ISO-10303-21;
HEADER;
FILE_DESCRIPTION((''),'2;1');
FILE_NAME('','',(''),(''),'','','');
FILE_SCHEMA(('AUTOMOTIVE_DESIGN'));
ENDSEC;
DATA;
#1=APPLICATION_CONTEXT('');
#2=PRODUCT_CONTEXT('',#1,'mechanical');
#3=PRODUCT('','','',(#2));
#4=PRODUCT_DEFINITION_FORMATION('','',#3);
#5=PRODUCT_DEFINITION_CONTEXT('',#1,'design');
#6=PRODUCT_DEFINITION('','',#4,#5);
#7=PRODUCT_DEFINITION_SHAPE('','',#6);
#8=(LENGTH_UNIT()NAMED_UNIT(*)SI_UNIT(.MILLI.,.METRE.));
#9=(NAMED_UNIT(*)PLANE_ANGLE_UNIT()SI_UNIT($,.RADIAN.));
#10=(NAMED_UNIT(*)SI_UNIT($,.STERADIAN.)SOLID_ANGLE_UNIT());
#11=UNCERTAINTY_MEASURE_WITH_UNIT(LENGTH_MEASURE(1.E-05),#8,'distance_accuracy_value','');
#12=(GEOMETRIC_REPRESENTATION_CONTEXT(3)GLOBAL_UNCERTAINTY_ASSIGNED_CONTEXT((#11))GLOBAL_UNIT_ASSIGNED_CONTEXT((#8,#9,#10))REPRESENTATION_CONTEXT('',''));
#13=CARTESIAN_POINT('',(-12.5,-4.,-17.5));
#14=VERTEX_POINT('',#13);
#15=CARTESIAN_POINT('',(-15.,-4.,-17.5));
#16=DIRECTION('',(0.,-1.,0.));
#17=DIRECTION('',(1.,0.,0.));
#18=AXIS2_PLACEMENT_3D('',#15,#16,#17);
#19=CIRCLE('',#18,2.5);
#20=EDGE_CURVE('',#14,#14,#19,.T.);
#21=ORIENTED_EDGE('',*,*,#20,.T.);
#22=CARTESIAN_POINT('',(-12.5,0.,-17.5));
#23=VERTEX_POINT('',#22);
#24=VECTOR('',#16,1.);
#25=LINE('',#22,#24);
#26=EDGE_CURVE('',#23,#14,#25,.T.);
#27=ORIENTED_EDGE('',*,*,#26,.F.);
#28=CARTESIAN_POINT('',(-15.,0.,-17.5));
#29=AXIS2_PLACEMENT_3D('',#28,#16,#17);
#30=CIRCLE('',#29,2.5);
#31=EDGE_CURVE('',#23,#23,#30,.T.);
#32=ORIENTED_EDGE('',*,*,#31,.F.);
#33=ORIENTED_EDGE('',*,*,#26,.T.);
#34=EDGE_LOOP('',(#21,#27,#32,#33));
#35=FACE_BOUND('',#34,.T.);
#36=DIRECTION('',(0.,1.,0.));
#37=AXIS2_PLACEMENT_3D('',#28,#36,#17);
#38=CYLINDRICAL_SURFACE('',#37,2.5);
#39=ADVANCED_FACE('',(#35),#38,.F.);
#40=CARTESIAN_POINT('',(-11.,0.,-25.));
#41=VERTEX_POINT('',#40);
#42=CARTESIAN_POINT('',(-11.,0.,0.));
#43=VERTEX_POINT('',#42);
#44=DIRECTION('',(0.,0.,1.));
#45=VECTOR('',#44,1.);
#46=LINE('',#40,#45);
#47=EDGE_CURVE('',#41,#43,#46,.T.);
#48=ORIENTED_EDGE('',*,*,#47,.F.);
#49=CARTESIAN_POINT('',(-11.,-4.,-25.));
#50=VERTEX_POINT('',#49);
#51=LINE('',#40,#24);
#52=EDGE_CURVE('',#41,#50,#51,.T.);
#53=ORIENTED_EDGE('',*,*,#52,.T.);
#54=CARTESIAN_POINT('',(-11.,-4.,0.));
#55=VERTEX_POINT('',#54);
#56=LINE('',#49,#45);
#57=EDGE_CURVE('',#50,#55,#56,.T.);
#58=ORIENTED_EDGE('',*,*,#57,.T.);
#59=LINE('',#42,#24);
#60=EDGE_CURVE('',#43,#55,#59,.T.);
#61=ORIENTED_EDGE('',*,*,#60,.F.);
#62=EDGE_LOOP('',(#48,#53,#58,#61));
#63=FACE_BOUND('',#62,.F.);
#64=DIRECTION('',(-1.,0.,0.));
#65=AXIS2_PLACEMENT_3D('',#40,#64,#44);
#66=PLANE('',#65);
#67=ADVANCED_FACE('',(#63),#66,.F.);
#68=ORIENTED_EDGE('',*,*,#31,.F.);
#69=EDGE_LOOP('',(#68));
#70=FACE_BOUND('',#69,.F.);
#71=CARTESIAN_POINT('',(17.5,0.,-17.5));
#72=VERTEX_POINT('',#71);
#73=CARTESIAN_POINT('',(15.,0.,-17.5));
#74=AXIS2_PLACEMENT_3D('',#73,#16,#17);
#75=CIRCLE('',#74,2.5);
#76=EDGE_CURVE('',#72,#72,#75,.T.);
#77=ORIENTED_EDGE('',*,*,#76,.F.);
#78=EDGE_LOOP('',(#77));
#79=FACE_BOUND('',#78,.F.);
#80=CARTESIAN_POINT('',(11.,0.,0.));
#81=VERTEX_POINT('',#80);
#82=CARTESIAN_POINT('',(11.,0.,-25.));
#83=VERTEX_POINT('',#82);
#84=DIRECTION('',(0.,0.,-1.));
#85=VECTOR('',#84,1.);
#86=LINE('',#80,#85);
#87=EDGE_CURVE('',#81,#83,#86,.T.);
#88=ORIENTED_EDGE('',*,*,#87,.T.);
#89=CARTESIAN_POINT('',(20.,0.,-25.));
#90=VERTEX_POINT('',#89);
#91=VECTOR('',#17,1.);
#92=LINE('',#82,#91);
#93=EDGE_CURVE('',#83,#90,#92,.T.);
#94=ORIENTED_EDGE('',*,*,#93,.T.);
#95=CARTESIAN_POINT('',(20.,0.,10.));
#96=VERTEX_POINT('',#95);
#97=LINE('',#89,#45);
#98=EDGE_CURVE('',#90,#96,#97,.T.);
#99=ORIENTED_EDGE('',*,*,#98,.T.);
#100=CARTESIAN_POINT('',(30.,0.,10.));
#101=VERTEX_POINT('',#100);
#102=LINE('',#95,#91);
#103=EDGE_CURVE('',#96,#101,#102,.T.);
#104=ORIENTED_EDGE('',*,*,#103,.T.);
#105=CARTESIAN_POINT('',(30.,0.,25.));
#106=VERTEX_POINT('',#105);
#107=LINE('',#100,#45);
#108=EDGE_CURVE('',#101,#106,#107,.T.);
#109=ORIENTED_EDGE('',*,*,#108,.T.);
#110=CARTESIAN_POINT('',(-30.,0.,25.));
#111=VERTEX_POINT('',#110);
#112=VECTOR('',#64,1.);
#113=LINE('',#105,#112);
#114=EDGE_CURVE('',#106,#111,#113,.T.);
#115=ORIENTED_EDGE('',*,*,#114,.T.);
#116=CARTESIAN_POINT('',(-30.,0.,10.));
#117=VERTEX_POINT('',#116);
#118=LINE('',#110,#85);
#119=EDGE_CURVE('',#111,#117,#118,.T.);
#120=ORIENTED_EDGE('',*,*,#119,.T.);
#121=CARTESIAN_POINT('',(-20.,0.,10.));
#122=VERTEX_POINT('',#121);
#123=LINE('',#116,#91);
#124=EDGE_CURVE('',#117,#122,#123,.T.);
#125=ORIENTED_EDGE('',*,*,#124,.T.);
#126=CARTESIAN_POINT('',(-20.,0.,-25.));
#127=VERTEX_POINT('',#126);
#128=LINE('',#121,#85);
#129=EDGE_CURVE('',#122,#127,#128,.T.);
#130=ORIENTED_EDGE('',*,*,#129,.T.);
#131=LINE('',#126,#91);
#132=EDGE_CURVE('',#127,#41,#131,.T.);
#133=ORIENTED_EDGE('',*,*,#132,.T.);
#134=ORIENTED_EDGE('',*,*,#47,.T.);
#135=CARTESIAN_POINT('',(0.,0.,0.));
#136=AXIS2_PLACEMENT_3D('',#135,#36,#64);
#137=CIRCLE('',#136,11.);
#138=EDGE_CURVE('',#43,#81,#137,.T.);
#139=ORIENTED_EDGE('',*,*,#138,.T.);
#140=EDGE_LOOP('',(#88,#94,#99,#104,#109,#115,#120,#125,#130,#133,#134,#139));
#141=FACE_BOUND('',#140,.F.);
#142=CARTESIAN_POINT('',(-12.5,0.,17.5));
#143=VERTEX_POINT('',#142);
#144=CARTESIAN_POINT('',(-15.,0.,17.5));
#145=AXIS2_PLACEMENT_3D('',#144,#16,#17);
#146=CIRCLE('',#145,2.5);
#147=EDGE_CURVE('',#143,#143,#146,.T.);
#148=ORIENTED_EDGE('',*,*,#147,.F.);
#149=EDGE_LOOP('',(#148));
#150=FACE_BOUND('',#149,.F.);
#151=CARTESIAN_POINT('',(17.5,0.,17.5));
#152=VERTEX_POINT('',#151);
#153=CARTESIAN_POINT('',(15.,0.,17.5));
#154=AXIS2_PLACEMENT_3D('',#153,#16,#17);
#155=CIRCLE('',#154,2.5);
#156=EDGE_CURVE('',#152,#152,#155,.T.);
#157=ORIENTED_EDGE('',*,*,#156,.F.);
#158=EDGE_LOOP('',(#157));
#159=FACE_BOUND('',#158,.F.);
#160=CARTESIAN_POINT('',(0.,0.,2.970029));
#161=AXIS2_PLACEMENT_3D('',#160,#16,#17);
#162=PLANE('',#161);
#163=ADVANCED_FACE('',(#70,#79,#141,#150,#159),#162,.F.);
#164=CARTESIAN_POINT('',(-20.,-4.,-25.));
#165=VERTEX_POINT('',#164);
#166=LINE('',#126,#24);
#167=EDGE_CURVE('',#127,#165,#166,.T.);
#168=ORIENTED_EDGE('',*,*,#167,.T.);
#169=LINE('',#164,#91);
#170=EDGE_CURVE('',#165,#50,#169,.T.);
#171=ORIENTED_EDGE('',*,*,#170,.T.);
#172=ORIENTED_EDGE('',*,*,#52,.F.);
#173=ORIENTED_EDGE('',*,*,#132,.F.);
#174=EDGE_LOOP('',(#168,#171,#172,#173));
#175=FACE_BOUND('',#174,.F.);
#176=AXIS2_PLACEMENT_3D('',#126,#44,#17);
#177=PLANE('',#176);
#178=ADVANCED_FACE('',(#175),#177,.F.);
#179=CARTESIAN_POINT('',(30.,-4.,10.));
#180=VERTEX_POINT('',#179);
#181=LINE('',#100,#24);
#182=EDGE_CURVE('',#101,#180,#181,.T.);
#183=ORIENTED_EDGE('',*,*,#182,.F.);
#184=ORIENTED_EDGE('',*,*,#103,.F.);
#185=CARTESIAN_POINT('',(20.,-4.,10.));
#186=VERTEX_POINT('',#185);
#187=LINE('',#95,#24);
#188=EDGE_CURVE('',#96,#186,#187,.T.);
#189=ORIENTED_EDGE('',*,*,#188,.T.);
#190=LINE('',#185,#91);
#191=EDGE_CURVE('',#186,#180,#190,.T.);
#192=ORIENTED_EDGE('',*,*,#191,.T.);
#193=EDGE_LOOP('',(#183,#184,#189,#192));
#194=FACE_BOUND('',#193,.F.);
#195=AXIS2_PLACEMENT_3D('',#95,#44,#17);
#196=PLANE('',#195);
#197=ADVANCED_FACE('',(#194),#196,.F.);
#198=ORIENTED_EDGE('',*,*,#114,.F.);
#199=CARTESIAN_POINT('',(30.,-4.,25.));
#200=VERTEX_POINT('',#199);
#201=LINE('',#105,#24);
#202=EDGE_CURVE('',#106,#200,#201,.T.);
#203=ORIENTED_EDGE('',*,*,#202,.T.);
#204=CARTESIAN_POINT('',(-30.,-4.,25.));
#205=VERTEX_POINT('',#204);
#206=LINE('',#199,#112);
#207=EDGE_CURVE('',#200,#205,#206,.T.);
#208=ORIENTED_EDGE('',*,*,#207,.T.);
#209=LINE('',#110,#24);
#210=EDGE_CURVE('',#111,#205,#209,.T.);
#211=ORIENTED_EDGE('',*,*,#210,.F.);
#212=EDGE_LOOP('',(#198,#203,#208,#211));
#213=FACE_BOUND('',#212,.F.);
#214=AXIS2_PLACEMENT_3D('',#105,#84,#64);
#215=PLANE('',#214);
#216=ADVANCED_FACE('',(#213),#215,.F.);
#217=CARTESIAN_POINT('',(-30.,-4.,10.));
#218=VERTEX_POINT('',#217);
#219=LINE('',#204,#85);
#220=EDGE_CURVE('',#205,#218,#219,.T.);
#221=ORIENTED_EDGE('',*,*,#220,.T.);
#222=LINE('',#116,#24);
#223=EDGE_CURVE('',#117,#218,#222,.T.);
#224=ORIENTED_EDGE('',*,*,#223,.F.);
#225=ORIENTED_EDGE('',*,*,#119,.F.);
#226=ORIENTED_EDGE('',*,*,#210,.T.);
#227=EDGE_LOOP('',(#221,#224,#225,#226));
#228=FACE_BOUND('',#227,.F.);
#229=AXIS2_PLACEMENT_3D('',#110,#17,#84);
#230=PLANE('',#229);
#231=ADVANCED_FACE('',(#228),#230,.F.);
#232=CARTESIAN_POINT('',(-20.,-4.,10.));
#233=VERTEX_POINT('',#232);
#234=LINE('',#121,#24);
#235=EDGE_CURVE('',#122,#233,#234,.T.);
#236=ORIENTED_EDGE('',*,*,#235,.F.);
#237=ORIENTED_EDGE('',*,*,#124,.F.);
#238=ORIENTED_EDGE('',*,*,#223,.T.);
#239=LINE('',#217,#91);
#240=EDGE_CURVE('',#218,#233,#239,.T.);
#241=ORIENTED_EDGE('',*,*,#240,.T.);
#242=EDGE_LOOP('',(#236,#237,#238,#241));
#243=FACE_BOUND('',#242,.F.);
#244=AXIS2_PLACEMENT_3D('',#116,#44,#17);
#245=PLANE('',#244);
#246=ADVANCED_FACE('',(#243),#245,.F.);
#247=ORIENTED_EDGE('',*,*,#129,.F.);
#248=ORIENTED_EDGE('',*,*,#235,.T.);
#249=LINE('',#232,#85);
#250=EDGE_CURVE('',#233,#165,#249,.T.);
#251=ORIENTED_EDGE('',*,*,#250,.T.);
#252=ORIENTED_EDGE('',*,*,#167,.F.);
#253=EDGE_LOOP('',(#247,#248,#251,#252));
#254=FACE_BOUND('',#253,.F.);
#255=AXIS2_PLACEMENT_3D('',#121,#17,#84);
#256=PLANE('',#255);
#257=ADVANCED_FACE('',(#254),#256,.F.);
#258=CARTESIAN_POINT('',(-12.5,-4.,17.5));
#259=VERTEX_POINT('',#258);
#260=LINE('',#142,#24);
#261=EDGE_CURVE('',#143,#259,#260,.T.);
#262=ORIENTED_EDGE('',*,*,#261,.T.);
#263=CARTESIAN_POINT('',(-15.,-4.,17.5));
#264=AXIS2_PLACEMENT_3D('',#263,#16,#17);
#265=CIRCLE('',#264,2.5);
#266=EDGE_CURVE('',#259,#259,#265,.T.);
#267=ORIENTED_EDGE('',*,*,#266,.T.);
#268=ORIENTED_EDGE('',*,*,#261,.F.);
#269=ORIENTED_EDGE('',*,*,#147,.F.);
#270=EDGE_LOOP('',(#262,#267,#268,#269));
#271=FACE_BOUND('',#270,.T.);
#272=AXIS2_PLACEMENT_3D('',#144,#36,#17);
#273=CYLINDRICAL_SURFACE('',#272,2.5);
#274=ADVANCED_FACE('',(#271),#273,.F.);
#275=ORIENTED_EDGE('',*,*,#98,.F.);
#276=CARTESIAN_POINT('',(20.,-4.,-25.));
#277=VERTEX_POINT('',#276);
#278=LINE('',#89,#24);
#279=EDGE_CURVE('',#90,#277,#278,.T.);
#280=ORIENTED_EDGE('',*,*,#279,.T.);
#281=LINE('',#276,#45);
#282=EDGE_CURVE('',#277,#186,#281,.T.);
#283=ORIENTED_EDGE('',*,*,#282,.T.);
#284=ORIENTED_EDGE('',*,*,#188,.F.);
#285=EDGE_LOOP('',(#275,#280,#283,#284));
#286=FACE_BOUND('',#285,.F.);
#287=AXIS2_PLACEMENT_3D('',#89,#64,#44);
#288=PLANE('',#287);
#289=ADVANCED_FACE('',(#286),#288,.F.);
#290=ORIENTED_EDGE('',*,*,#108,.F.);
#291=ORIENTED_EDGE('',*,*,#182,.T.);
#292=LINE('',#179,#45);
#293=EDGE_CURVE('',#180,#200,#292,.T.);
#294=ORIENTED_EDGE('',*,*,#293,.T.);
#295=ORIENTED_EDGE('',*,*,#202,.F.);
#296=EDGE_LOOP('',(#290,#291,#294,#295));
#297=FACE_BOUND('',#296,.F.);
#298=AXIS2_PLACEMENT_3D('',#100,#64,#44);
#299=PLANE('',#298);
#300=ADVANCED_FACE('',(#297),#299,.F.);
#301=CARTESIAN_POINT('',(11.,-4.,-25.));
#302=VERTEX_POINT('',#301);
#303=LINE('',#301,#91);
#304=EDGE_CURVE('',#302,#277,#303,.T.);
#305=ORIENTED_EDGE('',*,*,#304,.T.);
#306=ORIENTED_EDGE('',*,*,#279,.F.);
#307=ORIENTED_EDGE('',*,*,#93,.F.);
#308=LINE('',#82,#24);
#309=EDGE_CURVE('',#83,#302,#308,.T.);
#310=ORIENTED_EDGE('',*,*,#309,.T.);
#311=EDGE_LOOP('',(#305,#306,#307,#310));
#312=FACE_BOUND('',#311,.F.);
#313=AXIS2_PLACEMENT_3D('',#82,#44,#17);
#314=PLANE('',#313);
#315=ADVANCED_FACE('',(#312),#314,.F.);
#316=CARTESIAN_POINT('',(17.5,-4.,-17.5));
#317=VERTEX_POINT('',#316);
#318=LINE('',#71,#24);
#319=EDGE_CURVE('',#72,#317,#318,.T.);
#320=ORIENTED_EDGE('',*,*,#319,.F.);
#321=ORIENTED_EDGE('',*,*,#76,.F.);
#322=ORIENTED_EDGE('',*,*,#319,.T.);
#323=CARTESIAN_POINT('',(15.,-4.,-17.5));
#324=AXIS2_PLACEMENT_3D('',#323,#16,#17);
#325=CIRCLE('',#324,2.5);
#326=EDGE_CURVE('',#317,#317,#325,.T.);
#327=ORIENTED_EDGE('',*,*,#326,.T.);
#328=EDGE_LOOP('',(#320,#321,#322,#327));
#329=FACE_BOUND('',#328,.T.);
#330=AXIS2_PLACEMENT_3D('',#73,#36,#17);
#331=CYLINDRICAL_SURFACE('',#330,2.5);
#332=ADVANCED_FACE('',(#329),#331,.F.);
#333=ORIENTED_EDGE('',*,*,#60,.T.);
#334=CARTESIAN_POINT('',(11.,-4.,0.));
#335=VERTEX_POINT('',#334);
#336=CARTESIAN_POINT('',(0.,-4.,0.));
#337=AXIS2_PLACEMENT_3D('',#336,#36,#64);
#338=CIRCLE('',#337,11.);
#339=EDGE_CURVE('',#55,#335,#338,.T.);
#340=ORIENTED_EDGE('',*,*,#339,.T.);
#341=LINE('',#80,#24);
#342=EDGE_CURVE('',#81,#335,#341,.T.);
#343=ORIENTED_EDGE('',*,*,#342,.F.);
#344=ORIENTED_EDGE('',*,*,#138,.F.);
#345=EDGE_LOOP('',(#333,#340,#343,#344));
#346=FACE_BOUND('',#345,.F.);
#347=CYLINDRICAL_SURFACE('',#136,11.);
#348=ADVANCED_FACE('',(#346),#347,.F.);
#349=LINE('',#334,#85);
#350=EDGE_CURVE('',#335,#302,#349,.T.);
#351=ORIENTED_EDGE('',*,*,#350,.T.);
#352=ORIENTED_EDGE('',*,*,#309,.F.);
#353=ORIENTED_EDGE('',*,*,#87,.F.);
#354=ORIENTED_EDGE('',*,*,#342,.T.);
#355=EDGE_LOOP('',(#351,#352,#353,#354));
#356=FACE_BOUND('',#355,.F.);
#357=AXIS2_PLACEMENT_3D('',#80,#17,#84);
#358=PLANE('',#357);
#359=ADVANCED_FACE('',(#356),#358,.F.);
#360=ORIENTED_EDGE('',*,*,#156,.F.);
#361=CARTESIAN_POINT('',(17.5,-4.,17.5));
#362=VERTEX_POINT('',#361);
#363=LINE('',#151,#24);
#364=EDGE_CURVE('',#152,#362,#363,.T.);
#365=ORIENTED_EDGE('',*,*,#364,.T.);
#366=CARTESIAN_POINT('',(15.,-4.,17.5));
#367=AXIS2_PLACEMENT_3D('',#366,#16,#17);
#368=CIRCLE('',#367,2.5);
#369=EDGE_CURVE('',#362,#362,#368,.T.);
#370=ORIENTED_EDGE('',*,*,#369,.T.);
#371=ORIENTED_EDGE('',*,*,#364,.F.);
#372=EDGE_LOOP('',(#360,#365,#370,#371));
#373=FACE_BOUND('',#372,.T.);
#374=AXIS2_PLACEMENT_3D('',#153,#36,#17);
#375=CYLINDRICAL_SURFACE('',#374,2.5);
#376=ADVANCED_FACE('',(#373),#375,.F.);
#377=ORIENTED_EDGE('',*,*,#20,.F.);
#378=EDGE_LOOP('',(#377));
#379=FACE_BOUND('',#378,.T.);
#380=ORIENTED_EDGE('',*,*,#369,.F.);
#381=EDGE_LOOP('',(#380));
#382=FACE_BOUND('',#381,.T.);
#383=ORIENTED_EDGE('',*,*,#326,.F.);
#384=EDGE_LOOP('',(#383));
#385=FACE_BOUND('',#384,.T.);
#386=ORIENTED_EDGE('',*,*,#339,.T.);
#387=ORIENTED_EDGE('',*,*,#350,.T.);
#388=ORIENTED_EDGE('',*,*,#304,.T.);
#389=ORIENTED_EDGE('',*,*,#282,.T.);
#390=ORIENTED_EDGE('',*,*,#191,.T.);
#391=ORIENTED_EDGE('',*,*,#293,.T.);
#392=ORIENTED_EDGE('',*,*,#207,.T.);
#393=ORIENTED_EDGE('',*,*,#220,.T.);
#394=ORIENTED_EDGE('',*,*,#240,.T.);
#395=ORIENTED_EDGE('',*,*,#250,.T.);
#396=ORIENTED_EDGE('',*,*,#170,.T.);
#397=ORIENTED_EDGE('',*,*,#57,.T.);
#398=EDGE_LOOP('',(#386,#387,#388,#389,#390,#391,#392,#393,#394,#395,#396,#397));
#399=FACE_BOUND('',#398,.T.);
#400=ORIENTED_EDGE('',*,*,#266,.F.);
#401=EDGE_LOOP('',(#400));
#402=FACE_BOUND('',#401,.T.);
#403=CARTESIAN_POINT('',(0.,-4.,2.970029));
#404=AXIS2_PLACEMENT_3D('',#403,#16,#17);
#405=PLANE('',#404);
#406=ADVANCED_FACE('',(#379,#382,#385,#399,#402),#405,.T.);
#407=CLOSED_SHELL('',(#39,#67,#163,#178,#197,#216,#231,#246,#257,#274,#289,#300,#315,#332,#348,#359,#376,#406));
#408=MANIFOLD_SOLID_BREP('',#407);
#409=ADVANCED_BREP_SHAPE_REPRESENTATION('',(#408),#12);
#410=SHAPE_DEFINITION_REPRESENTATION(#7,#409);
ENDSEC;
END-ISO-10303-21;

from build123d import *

# Parameters (mm, degrees)
F0_R     = 2.5
F1_DEPTH = 4


with BuildPart() as f1:
    # F0 (on Front) → F1 (new body)
    with BuildSketch(Plane.XZ):
        with BuildLine():
            ThreePointArc((-11, 0), (0, 11), (11, 0))
            Line((11, 0), (11, -25))
            Line((11, -25), (20, -25))
            Line((20, -25), (20, 10))
            Line((20, 10), (30, 10))
            Line((30, 10), (30, 25))
            Line((30, 25), (-30, 25))
            Line((-30, 25), (-30, 10))
            Line((-30, 10), (-20, 10))
            Line((-20, 10), (-20, -25))
            Line((-20, -25), (-11, -25))
            Line((-11, -25), (-11, 0))
        make_face()
        with Locations((-15, -17.5)):
            Circle(F0_R, mode=Mode.SUBTRACT)
        with Locations((15, -17.5)):
            Circle(F0_R, mode=Mode.SUBTRACT)
        with Locations((-15, 17.5)):
            Circle(F0_R, mode=Mode.SUBTRACT)
        with Locations((15, 17.5)):
            Circle(F0_R, mode=Mode.SUBTRACT)
    extrude(amount=F1_DEPTH)


solid = f1.part
